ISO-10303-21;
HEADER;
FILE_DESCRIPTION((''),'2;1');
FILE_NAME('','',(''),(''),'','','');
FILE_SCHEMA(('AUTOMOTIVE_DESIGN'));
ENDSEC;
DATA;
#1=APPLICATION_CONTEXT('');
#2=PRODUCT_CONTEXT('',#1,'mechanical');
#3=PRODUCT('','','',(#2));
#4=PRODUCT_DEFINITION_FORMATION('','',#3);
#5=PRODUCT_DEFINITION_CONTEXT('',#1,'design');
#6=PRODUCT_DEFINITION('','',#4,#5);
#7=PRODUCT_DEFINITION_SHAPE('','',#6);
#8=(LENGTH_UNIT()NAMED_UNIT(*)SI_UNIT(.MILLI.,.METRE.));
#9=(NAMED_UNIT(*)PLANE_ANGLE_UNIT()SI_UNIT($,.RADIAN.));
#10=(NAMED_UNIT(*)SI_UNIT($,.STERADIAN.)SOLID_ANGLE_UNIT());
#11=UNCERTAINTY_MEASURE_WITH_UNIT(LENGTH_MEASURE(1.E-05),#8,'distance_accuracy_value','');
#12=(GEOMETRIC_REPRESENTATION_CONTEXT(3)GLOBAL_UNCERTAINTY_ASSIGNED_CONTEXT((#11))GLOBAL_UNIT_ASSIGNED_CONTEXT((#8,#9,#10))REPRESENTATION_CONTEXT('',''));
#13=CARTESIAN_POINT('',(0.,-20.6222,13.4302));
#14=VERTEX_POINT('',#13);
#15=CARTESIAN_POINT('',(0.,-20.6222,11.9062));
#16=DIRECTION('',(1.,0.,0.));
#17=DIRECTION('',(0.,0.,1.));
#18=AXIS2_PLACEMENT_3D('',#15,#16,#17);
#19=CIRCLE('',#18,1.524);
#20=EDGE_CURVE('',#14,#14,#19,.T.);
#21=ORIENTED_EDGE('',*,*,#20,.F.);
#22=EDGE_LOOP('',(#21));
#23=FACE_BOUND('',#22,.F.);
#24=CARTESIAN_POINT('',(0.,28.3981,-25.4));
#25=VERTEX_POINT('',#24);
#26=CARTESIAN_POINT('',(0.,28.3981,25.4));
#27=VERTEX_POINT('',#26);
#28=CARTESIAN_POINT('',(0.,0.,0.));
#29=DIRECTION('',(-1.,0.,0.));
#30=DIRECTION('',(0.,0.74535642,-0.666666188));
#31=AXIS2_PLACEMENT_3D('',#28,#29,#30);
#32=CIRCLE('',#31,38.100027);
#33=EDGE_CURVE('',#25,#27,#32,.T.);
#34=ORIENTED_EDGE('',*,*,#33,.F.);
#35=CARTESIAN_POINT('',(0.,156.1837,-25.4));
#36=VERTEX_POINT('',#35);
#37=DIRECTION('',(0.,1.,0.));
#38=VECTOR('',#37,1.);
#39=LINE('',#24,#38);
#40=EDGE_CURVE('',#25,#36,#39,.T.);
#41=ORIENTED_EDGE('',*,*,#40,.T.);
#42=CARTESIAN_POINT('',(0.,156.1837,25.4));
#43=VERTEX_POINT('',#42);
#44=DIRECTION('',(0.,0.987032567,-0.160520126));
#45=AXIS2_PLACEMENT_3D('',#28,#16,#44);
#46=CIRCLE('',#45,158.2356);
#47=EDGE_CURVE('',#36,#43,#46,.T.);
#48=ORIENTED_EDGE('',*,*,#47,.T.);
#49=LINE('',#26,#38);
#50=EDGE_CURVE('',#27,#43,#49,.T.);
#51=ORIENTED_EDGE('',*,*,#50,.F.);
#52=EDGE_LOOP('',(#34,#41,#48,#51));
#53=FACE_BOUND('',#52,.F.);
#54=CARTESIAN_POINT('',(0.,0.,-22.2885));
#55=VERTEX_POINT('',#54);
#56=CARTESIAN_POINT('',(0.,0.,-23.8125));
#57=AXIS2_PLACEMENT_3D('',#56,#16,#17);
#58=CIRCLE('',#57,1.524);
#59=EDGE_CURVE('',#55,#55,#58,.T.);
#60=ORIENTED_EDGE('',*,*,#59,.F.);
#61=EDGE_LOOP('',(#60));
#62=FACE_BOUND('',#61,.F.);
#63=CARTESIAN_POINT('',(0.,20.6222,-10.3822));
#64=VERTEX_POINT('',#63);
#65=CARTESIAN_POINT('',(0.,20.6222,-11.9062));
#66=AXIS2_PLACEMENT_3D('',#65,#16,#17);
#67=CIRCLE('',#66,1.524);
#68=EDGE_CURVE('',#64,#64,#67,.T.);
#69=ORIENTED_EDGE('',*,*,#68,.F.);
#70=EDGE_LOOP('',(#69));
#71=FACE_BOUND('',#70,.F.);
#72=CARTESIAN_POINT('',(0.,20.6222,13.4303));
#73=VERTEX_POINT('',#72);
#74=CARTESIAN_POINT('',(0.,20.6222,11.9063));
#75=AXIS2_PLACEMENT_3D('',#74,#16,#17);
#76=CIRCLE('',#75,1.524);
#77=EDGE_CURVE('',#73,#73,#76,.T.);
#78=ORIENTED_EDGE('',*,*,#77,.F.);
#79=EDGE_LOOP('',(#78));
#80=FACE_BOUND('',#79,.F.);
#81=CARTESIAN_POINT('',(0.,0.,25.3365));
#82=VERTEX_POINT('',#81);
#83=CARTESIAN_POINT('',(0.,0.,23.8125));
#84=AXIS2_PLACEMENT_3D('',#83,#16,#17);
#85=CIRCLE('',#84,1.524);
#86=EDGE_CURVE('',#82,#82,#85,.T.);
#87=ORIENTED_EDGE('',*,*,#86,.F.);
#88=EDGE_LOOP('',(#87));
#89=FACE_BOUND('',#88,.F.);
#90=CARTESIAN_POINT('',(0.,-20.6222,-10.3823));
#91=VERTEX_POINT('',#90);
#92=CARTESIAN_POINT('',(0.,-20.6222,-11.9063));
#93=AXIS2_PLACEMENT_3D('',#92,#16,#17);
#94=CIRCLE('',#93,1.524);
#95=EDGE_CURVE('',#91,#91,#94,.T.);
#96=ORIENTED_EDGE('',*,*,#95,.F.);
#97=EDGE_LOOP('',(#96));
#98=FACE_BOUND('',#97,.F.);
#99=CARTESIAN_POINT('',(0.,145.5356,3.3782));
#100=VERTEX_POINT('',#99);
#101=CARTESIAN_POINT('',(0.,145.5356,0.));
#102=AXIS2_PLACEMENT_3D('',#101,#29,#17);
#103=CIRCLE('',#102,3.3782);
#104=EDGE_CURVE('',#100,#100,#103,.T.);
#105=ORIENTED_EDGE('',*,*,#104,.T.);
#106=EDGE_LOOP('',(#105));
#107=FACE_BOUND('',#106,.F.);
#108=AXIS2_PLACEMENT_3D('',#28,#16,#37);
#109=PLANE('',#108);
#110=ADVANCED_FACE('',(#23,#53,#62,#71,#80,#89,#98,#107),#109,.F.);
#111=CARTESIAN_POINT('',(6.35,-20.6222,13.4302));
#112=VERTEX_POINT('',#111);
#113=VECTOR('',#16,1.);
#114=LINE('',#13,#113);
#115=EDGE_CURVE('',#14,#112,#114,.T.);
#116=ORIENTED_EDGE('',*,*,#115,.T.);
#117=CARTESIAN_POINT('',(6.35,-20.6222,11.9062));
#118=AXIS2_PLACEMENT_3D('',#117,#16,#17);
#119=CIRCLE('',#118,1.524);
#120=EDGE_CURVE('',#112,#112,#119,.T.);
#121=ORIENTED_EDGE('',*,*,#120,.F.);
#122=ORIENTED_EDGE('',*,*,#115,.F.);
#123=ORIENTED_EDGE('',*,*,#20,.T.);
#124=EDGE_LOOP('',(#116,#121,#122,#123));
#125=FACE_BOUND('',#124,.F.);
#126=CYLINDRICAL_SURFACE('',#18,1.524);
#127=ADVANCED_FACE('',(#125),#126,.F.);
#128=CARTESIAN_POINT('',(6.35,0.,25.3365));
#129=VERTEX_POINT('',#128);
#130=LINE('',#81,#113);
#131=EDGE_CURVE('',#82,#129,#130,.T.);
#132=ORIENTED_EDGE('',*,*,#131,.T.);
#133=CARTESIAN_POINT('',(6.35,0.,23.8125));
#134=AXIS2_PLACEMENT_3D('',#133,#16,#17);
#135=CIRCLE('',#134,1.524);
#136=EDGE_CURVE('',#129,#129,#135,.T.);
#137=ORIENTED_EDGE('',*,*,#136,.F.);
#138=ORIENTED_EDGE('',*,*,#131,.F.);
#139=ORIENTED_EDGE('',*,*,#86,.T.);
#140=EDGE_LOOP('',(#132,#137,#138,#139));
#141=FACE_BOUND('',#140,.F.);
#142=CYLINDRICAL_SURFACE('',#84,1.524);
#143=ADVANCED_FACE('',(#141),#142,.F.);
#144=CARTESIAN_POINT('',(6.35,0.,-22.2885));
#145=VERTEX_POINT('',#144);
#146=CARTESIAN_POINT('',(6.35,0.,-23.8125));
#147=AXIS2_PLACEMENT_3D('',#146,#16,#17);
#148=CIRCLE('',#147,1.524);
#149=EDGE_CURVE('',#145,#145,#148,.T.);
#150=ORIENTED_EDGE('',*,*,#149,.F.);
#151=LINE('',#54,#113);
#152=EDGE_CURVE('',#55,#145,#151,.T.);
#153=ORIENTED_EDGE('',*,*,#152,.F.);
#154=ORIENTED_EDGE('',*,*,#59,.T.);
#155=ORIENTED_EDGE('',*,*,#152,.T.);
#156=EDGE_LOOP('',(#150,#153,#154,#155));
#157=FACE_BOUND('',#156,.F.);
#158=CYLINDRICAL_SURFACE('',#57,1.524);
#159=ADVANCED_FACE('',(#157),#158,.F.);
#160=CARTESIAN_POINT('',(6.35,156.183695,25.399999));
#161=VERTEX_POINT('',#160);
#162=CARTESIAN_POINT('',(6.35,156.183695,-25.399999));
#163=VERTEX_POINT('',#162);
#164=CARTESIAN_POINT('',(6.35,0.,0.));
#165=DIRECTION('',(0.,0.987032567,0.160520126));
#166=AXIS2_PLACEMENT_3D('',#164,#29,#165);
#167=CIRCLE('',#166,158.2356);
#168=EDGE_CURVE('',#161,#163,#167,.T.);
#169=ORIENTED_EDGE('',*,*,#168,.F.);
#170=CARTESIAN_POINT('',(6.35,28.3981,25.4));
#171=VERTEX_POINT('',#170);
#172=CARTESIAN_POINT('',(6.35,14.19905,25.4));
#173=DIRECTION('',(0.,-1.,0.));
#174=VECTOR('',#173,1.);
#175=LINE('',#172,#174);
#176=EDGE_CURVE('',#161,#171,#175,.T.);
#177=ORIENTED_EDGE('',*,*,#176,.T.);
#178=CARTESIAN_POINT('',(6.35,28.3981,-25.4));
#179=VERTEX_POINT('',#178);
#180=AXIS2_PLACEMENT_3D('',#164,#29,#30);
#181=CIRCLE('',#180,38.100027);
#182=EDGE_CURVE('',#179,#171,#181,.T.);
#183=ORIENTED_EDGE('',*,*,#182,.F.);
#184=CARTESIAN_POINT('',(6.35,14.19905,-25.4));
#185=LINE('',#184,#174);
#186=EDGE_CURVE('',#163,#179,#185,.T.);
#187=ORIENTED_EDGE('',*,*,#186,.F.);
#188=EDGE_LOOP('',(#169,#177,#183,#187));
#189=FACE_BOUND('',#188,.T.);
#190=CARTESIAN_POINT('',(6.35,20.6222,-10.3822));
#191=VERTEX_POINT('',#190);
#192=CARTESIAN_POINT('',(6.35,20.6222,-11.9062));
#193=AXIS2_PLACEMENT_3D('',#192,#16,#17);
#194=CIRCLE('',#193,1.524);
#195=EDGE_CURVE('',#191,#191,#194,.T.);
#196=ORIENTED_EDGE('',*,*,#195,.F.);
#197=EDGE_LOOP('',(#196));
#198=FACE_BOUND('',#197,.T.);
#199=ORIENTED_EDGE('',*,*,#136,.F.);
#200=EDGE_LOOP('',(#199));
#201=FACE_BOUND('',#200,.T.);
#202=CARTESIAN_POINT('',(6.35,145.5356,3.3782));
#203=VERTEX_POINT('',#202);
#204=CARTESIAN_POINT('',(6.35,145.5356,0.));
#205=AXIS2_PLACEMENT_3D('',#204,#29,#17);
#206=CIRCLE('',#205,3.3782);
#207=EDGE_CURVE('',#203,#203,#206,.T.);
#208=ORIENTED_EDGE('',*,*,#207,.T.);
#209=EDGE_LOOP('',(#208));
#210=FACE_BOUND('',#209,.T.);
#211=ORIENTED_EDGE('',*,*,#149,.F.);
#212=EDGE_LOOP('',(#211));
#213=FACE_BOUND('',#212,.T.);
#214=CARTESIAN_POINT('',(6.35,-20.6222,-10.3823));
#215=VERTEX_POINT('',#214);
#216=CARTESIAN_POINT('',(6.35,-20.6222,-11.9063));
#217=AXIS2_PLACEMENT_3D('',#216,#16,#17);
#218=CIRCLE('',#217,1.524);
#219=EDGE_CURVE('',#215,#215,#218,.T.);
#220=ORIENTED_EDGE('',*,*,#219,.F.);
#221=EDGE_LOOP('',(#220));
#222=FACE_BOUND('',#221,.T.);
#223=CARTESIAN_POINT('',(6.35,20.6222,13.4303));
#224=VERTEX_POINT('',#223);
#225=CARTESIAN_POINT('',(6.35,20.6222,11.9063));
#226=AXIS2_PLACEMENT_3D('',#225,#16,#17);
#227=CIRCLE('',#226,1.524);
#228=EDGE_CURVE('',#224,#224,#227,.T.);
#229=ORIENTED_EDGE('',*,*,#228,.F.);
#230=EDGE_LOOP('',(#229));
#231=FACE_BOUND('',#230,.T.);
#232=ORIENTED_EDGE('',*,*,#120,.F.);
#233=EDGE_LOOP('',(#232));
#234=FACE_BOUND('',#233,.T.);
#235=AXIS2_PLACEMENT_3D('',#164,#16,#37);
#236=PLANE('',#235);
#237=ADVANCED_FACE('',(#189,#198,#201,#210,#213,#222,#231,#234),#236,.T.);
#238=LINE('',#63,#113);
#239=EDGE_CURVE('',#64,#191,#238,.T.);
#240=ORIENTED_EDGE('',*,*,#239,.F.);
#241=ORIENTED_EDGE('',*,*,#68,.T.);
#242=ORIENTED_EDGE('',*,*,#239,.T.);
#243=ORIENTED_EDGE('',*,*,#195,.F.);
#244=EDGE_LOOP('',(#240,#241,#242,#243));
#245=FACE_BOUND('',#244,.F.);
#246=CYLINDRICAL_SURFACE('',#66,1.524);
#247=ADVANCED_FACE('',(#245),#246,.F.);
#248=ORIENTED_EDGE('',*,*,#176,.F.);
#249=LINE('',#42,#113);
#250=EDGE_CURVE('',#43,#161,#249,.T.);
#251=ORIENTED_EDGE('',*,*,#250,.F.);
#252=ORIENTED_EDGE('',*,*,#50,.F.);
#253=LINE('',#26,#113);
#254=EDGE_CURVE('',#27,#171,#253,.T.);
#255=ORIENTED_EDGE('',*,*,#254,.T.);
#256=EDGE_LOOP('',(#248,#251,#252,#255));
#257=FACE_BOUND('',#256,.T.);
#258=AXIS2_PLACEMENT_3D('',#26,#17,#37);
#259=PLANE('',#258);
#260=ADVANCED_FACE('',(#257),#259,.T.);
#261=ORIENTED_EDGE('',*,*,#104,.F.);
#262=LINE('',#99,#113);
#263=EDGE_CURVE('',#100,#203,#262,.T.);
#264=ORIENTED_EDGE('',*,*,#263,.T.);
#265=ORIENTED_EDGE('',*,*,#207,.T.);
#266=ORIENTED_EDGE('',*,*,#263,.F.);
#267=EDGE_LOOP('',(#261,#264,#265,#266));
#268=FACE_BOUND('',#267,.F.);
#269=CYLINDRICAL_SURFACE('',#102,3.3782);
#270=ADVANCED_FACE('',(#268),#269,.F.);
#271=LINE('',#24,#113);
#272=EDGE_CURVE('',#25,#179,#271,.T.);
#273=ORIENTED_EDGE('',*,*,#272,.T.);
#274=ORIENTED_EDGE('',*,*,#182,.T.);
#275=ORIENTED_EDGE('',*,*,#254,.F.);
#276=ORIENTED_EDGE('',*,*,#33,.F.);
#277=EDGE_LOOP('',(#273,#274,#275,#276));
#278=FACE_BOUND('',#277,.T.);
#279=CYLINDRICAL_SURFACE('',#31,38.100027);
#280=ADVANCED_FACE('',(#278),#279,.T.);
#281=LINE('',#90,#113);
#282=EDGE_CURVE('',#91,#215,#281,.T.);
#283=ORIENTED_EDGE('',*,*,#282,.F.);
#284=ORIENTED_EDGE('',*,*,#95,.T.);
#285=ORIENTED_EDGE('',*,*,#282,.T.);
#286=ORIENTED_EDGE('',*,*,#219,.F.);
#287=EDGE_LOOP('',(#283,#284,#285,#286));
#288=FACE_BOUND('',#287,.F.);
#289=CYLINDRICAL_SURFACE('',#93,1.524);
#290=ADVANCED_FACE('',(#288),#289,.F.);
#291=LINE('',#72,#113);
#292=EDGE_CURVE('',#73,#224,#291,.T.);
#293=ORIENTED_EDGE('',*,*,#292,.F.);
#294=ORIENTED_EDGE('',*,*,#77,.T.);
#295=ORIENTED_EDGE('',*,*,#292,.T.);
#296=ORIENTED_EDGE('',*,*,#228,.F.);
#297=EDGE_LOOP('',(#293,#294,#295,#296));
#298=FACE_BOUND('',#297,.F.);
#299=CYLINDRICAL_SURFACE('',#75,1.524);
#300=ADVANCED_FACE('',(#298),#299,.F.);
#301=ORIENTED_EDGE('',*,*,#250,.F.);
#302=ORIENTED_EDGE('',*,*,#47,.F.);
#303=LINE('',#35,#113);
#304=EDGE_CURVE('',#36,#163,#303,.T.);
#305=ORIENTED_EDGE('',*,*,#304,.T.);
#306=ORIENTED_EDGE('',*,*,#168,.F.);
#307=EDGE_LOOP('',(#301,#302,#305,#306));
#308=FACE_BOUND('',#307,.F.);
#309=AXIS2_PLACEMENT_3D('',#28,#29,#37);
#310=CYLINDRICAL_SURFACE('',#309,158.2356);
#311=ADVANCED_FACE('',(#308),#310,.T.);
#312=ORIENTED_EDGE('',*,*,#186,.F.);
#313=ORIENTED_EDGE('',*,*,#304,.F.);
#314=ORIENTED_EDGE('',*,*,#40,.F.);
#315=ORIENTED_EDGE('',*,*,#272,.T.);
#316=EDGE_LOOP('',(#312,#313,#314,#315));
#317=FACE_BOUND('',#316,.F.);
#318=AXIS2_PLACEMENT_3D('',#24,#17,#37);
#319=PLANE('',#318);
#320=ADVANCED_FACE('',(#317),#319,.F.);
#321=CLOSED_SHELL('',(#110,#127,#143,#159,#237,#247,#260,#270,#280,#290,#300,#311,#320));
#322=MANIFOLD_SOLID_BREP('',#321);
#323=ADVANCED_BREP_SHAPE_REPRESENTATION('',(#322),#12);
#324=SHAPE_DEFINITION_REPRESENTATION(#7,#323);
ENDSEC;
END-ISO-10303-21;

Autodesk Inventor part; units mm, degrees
ref_plane "YZ Plane" through (0, 0, 0) normal (1, 0, 0) x (0, 1, 0)
ref_plane "XZ Plane" through (0, 0, 0) normal (0, 1, 0) x (-1, 0, 0)
ref_plane "XY Plane" through (0, 0, 0) normal (0, 0, 1) x (1, 0, 0)
sketch "Sketch1" plane through (0, 0, 0) normal (1, 0, 0) x (0, 1, 0)
  circle A0 centre (0, 0) radius 158.2356
  dimension "d0" = 316.4711
extrude "Extrusion1" add sketch "Sketch1" along normal blind 6.35
sketch "Sketch2" plane through (0, 0, 0) normal (-1, 0, 0) x (0, 0, 1)
  circle A0 centre (0, 145.5356) radius 3.3782
  point P0 (0, 0)
  dimension "d3" = 6.7564
  dimension "d4" = 145.5356
extrude "Extrusion2" cut sketch "Sketch2" against normal through all
sketch "Sketch3" plane through (0, 0, 0) normal (-1, 0, 0) x (0, 0, 1)
  point P0 (0, 0)
  point P1 (23.8125, 0)
  point P2 (11.9063, 20.6222)
  point P3 (-11.9062, 20.6222)
  point P4 (-23.8125, 0)
  point P5 (-11.9063, -20.6222)
  point P6 (11.9062, -20.6222)
  dimension "d7" = 23.8125
  dimension "d10" = 360
hole "Hole1" at (0, 0, 23.8125) at (0, 20.6222, 11.9063) at (0, 20.6222, -11.9062) at (0, 0, -23.8125) at (0, -20.6222, -11.9063) at (0, -20.6222, 11.9062) direction (1, 0, 0) diameter 3.048 end through all
sketch "Sketch6" plane through (0, 0, 0) normal (-1, 0, 0) x (0, 0, 1)
  arc A0 (-25.4, 28.3981) -> (25.4, 28.3981) centre (0, 0) ccw
  line L0 (-25.4, 28.3981) -> (-25.4, 156.1837)
  circle A1 centre (0, 0) radius 158.2356 projected
  line L1 (25.4, 28.3981) -> (25.4, 156.1837)
  dimension "d29" = 25.4
  dimension "d30" = 25.4
  dimension "d31" = 76.2
extrude "Extrusion4" cut sketch "Sketch6" against normal through all contours A0 L1 A1 L0 picked at (-31.115, 112.3302)
equation "\"d0\" = camPlateDiam"
equation "\"d1\" = camPlateThickness"
equation "\"d3\" = camPostHoleDiam"
equation "\"d4\" = camRadius"
equation "\"d5\" = camPlateThickness"
equation "\"d7\" = am6HoleRadius"
equation "\"camPlateThickness\" = 6.35"
equation "\"camPostHoleDiam\" = 6.7564"
equation "\"camPostHeight\" = 25.4"
equation "\"camRadius\" = 0.5 * camDiam"
equation "\"aM6HoleDiam\" = 47.625"
equation "\"am6HoleRadius\" = 0.5 * aM6HoleDiam"
equation "\"centerHoleDiam\" = 28.575"
equation "\"camStroke\" = 152.4"
equation "\"pi\" = 79.7941"
equation "\"camPlateDiam\" = 316.471144"
equation "\"camDiam\" = 291.071144"
properties part number "camPlate" material "Aluminum 6061"
